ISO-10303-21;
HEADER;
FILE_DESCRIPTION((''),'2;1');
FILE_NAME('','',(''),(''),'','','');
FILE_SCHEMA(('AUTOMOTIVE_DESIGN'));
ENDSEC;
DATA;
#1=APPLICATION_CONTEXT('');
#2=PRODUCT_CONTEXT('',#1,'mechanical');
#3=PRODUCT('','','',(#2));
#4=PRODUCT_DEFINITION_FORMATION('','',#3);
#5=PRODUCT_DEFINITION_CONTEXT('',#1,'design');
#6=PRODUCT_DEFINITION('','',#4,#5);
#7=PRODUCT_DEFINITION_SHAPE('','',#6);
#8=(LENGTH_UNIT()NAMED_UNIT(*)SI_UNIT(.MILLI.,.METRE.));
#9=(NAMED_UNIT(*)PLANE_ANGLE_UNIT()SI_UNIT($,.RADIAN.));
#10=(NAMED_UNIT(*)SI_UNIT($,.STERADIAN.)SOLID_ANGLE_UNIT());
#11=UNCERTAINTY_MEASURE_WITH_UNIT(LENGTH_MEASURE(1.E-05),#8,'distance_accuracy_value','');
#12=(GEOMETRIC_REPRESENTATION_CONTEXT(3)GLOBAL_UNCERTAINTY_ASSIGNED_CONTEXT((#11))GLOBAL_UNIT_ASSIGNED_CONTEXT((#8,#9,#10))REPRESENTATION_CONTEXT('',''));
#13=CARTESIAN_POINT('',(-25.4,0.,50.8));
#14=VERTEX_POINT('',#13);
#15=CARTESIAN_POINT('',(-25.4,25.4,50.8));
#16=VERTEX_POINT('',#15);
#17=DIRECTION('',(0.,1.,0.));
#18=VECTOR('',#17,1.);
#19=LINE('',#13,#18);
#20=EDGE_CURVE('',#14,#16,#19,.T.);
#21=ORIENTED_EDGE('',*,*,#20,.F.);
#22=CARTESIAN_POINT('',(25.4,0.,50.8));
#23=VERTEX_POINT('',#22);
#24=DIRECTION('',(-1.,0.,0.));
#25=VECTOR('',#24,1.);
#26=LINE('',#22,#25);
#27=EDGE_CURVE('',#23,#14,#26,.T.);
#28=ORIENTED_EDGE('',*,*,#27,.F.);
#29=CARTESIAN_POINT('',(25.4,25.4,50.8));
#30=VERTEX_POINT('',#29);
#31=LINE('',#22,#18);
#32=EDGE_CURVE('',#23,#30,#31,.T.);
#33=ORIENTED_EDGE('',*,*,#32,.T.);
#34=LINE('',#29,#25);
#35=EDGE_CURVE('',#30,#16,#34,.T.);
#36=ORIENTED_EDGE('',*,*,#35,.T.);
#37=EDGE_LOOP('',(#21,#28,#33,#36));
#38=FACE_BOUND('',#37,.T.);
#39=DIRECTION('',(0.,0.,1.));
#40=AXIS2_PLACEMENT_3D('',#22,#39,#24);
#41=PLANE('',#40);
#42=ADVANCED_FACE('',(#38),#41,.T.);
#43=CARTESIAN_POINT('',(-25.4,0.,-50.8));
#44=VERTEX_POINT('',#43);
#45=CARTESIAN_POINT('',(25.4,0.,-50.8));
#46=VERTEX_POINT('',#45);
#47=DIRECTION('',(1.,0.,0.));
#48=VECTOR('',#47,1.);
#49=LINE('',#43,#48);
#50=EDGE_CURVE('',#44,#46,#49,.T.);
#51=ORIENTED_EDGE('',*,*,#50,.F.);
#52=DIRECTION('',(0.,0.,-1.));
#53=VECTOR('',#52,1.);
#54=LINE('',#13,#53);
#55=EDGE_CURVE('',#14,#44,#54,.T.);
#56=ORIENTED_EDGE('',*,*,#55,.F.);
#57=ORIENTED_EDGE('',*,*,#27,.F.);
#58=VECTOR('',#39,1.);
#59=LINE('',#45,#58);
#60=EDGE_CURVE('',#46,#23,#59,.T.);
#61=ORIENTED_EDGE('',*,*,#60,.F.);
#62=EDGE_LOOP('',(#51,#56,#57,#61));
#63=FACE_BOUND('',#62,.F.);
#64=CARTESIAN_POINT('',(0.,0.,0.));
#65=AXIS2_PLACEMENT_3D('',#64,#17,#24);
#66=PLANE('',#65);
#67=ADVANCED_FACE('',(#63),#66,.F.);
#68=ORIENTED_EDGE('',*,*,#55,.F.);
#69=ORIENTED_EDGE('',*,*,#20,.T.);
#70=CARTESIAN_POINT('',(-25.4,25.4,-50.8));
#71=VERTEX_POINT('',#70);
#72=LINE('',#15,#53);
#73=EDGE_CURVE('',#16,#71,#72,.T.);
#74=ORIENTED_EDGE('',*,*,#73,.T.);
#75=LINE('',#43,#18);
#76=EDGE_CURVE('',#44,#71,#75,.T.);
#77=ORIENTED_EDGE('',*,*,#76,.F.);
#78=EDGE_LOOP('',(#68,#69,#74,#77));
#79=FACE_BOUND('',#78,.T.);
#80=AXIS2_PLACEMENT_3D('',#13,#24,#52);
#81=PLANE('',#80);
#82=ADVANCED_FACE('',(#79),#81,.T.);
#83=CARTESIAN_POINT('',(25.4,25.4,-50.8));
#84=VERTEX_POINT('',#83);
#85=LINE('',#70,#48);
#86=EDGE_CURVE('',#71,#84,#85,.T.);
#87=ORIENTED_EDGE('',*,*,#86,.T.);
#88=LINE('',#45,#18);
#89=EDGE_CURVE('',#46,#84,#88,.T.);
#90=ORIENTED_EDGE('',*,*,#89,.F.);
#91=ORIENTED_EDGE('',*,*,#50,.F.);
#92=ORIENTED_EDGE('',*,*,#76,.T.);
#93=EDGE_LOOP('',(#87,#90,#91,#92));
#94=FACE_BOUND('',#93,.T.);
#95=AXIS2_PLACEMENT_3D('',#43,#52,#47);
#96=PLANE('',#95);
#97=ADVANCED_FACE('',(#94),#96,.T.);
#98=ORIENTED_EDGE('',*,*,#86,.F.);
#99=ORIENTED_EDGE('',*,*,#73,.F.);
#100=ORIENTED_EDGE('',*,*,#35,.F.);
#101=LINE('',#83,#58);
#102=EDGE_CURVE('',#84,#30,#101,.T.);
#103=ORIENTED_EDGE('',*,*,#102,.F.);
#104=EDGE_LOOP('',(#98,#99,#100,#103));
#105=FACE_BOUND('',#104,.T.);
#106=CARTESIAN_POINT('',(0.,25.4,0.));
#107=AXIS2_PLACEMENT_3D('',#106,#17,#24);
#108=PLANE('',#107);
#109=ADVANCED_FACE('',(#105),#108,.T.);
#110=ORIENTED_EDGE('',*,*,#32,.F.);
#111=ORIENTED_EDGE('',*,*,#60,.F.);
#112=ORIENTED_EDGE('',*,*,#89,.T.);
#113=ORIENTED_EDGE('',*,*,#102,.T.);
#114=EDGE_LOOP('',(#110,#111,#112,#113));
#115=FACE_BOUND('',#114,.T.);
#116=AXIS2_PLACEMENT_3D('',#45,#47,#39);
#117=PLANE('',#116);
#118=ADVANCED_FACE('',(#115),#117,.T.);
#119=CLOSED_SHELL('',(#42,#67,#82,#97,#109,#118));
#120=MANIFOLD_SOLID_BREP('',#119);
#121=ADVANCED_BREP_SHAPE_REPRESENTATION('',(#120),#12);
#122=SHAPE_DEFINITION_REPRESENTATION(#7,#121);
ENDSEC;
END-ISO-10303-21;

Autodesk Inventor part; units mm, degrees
ref_plane "YZ Plane" through (0, 0, 0) normal (1, 0, 0) x (0, 1, 0)
ref_plane "XZ Plane" through (0, 0, 0) normal (0, 1, 0) x (-1, 0, 0)
ref_plane "XY Plane" through (0, 0, 0) normal (0, 0, 1) x (1, 0, 0)
sketch "Sketch1" plane through (0, 0, 0) normal (0, 1, 0) x (-1, 0, 0)
  line L0 (-25.4, 50.8) -> (25.4, 50.8)
  line L1 (25.4, 50.8) -> (25.4, -50.8)
  line L2 (25.4, -50.8) -> (-25.4, -50.8)
  line L3 (-25.4, -50.8) -> (-25.4, 50.8)
  line L4 (-25.4, 50.8) -> (25.4, -50.8) construction
  line L5 (25.4, 50.8) -> (-25.4, -50.8) construction
  point P0 (0, 0)
  dimension "d0" = 50.8
  dimension "d1" = 101.6
extrude "Extrusion1" add sketch "Sketch1" along normal blind 25.4
properties part number "RPi"
